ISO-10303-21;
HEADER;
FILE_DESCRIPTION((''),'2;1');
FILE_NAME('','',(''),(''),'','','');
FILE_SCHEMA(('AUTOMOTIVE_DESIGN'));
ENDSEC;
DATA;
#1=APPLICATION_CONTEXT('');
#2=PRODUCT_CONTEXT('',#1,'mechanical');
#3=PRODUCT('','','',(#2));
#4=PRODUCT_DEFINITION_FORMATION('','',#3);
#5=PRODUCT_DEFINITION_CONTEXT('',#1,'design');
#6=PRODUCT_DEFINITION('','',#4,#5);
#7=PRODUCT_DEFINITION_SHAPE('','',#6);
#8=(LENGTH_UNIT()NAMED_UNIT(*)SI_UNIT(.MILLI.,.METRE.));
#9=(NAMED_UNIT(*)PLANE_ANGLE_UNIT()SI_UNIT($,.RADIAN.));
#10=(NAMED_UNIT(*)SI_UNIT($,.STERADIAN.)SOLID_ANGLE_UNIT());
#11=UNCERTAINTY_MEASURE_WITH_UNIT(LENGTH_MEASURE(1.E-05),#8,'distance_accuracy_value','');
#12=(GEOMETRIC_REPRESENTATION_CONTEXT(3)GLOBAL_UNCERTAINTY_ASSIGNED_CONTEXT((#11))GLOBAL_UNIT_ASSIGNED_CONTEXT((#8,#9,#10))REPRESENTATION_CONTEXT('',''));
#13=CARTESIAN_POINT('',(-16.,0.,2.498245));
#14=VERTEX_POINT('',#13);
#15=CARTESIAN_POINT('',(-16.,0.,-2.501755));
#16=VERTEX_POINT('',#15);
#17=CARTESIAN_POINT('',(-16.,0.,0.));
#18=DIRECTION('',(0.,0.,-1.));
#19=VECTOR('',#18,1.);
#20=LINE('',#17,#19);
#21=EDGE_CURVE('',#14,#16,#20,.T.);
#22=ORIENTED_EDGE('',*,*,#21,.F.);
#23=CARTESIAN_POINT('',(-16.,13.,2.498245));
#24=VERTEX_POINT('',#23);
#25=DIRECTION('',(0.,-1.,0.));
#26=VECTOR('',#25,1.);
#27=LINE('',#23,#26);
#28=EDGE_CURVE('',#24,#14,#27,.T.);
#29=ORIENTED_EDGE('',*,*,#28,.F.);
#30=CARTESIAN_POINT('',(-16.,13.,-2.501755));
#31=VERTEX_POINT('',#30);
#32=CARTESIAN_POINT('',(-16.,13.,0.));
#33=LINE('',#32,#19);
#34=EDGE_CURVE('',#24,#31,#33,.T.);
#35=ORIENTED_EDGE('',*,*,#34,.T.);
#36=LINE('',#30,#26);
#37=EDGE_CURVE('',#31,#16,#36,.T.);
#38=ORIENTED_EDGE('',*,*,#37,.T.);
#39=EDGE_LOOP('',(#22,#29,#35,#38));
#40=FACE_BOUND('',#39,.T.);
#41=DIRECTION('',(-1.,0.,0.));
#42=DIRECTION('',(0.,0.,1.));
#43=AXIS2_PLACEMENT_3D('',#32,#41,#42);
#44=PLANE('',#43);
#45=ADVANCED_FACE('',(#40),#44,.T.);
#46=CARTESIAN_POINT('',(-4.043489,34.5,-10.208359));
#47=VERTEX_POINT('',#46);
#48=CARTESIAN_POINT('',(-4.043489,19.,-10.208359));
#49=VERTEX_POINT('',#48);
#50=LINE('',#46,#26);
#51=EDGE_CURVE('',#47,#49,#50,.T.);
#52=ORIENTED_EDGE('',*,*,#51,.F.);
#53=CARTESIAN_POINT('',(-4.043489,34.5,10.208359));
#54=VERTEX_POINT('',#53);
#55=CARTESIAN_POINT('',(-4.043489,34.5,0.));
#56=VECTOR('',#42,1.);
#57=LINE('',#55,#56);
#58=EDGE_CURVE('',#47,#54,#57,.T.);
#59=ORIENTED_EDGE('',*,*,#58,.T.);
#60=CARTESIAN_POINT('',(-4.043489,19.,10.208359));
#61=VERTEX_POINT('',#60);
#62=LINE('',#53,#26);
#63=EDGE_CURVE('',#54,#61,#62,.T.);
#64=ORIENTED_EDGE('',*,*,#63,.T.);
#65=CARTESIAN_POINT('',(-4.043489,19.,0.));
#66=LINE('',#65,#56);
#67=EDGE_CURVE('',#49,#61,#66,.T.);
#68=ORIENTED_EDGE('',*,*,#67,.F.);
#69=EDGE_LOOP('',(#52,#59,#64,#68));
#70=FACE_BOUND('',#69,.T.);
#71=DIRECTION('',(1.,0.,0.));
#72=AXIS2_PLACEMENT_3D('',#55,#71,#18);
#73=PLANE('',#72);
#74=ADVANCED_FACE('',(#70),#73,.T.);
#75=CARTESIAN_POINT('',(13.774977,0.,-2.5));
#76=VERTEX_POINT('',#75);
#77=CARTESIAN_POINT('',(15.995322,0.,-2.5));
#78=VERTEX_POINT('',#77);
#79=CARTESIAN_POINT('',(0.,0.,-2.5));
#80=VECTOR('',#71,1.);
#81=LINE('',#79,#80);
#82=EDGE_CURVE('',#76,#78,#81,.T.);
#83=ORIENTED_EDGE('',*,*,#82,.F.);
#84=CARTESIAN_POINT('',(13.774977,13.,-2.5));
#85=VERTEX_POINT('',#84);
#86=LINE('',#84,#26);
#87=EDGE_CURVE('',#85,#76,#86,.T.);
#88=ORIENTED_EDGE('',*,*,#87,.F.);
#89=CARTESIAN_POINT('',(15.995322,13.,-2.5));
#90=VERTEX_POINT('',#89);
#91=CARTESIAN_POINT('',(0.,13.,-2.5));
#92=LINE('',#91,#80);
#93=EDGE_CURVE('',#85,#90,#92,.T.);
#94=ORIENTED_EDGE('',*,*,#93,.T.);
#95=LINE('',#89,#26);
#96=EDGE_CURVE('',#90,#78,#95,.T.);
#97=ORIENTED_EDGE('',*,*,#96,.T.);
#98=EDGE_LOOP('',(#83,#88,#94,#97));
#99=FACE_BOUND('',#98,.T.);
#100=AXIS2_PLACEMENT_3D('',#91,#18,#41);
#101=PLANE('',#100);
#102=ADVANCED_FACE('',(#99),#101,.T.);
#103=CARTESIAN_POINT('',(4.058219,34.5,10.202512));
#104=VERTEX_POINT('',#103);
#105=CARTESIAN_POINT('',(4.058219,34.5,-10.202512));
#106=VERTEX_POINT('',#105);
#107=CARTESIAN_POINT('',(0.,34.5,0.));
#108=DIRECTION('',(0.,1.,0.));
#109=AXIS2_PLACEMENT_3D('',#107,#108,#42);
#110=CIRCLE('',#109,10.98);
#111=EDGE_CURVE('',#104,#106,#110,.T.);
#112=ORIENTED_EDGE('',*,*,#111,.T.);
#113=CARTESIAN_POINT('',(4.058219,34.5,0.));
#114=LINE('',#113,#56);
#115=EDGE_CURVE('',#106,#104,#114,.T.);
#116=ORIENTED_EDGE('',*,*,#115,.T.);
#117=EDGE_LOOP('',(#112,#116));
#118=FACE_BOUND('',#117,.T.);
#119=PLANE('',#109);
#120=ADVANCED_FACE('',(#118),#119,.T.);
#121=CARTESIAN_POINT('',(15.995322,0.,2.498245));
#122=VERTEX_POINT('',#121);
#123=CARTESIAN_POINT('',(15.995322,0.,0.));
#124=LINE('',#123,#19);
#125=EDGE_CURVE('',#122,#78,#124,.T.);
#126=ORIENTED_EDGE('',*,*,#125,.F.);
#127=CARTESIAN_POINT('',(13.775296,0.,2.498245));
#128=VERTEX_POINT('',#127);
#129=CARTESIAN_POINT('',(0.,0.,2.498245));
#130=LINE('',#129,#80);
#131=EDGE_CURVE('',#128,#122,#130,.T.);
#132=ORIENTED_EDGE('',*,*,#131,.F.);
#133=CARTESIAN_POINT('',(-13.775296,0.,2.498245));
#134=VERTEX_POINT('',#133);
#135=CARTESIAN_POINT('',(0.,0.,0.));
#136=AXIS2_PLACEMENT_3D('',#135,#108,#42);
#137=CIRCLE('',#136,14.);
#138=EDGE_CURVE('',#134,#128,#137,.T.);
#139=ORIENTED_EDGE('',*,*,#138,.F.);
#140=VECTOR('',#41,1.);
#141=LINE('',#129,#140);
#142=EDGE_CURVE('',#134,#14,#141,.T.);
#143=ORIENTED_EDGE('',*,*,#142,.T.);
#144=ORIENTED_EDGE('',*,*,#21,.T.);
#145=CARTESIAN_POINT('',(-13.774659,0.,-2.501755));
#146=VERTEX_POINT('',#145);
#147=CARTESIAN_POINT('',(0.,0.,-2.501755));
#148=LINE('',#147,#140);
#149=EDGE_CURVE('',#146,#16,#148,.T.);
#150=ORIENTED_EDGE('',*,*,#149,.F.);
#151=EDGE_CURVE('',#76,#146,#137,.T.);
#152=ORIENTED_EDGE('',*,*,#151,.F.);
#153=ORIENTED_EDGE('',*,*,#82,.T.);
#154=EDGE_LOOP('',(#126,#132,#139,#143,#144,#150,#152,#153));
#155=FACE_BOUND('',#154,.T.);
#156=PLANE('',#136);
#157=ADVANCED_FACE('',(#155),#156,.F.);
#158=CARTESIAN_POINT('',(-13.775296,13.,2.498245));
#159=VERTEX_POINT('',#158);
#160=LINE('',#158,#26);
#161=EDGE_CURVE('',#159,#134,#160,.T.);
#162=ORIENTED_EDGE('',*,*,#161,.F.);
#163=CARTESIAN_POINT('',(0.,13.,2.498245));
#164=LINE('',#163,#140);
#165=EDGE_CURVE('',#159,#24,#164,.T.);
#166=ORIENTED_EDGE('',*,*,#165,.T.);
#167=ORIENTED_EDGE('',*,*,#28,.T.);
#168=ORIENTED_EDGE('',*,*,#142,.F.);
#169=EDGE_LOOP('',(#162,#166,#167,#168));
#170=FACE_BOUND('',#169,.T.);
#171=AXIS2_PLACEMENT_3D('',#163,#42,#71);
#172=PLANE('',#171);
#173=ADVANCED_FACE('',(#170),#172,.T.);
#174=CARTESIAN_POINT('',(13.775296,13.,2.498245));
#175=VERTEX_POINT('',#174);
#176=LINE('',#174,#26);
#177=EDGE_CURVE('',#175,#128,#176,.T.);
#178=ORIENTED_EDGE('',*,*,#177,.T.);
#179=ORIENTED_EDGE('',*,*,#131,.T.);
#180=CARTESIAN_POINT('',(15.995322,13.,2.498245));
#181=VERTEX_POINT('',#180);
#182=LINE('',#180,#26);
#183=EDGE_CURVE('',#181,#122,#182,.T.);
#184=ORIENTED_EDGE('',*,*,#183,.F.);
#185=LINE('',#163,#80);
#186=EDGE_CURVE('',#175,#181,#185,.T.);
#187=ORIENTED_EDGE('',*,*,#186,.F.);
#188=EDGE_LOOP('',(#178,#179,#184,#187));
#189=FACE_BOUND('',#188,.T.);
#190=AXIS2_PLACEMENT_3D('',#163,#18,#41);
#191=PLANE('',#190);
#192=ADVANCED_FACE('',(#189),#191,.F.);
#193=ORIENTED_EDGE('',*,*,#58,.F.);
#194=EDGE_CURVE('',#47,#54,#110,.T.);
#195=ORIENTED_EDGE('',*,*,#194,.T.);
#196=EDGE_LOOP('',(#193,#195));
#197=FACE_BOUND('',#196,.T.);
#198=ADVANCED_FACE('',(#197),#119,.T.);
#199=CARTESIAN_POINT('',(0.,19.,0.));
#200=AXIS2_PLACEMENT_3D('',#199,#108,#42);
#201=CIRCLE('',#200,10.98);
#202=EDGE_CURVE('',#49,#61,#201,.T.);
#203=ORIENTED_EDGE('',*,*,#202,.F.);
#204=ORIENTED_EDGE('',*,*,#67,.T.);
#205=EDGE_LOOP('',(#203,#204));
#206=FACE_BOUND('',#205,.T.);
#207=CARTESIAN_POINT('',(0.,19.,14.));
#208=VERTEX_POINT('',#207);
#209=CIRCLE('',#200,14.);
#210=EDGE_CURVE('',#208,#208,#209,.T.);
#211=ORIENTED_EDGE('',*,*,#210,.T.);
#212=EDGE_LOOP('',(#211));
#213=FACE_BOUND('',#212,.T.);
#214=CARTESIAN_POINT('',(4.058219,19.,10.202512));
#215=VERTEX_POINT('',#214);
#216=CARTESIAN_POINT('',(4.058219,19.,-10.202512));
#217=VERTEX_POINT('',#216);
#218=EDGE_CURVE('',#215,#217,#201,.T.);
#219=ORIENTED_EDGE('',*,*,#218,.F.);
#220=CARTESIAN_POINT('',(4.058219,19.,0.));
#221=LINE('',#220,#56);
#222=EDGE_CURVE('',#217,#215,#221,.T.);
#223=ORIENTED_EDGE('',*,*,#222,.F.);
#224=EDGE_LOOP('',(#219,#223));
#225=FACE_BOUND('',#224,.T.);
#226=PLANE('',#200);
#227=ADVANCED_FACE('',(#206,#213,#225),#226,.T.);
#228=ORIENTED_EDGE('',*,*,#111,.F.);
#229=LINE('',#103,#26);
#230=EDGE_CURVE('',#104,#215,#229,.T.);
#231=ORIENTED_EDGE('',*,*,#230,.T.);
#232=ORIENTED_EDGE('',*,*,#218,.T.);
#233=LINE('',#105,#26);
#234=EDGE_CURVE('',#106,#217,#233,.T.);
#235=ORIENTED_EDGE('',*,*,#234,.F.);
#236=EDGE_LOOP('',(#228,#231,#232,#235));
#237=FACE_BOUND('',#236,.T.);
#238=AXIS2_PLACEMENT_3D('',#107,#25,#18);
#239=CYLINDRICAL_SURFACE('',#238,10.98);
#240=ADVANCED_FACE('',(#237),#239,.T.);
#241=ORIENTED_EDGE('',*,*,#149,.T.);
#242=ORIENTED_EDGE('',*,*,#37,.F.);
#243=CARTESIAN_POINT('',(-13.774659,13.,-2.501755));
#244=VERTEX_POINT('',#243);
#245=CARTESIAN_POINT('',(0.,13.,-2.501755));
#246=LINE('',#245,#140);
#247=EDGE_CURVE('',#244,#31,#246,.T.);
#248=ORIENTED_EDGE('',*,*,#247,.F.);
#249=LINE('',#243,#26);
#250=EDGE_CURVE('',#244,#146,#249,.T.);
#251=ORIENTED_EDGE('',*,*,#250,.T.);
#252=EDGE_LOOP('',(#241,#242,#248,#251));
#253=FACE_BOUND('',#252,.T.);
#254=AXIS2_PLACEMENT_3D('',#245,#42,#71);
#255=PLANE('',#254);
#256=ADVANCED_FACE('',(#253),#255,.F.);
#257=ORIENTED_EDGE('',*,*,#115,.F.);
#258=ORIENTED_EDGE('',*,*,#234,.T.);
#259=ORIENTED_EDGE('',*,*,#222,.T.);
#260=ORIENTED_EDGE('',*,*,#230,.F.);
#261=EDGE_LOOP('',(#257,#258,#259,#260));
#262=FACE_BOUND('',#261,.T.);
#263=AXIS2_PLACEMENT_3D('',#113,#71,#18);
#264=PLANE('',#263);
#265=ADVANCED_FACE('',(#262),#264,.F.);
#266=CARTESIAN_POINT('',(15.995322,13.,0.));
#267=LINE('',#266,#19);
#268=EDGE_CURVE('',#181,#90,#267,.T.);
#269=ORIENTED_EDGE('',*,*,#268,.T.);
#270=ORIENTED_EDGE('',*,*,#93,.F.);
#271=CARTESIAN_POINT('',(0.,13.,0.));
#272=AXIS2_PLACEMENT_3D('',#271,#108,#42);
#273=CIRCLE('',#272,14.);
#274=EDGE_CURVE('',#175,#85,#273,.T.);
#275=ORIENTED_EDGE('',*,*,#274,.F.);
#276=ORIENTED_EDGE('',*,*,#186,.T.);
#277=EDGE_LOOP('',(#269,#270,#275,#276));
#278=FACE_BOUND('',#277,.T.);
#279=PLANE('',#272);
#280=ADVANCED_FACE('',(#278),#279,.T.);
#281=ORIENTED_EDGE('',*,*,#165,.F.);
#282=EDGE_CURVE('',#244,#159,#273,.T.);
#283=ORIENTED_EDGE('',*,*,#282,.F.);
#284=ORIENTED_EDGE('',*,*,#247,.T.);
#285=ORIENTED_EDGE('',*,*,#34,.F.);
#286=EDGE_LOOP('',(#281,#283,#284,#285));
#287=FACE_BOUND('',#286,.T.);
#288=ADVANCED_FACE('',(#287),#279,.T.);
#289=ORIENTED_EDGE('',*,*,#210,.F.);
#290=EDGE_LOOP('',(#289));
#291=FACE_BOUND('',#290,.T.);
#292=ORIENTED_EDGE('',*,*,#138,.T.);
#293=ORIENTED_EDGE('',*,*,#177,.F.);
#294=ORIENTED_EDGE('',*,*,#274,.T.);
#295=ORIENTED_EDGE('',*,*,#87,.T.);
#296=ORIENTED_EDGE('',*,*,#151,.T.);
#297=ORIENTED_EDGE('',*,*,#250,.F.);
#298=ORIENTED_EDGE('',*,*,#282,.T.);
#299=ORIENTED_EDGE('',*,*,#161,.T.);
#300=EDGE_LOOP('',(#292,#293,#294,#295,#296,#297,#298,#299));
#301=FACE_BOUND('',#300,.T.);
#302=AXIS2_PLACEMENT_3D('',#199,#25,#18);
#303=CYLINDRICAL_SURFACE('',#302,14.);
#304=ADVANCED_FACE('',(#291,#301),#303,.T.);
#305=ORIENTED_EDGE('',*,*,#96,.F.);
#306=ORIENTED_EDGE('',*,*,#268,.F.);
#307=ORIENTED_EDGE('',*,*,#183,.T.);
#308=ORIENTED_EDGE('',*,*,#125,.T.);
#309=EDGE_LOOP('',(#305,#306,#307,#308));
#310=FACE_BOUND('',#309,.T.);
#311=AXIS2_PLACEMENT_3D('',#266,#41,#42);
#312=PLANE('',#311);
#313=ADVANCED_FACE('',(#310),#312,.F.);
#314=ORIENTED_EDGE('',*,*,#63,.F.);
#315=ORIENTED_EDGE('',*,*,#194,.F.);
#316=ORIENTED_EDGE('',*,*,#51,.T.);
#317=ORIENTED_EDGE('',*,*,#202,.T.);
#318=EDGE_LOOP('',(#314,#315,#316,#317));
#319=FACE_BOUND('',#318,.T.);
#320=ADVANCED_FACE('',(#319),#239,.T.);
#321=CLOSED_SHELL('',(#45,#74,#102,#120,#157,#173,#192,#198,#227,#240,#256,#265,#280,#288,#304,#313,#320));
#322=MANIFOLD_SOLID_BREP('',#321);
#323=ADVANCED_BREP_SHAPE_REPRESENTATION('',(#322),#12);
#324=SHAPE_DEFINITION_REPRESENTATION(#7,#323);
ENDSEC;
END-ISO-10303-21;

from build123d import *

# Parameters (mm, degrees)
BOSS_EXTRUDE1_DEPTH   = 34.5
BOSS_EXTRUDE1_2_DEPTH = 34.5
SKETCH1_4_R           = 14
BOSS_EXTRUDE2_DEPTH   = 19
BOSS_EXTRUDE3_DEPTH   = 13


with BuildPart() as part:
    # Sketch1 → Boss-Extrude1 (new body)
    with BuildSketch(Plane(origin=(0, 0, 0), x_dir=(1, 0, 0), z_dir=(0, 1, 0))):
        with BuildLine():
            ThreePointArc((4.058218824, -10.202512434), (10.98, 0), (4.058218824, 10.202512434))
            Line((4.058218824, 10.202512434), (4.058218824, -10.202512434))
        make_face()
    extrude(amount=BOSS_EXTRUDE1_DEPTH)



with BuildPart() as body_2:
    # Sketch1 → Boss-Extrude1 2 (new body)
    with BuildSketch(Plane(origin=(0, 0, 0), x_dir=(1, 0, 0), z_dir=(0, 1, 0))):
        with BuildLine():
            Line((-4.043488658, -10.208359294), (-4.043488658, 10.208359294))
            ThreePointArc((-4.043488658, 10.208359294), (-10.98, 0), (-4.043488658, -10.208359294))
        make_face()
    extrude(amount=BOSS_EXTRUDE1_2_DEPTH)


with BuildPart() as part_1:
    add(part.part)

    add(body_2.part)  # Boss-Extrude2 merges body 2
    # Sketch1<4> → Boss-Extrude2 (add)
    with BuildSketch(Plane(origin=(0, 0, 0), x_dir=(1, 0, 0), z_dir=(0, 1, 0))):
        Circle(SKETCH1_4_R)
        with BuildLine():
            Line((-4.043488658, 2.501755217), (-4.043488658, -10.208359294))
            ThreePointArc((-4.043488658, -10.208359294), (-4.044654217, -10.207897544), (-4.045819724, -10.20743566))
            ThreePointArc((-4.045819724, -10.20743566), (-10.979999928, 0.001253691), (-4.043488658, 10.208359294))
            Line((-4.043488658, 10.208359294), (-4.043488658, 2.501755217))
        make_face(mode=Mode.SUBTRACT)
        with BuildLine():
            Line((4.058218824, 2.5), (4.058218824, 10.202512434))
            ThreePointArc((4.058218824, 10.202512434), (10.98, 0), (4.058218824, -10.202512434))
            Line((4.058218824, -10.202512434), (4.058218824, 2.5))
        make_face(mode=Mode.SUBTRACT)
    extrude(amount=BOSS_EXTRUDE2_DEPTH)

    # Sketch1<5> → Boss-Extrude3 (add)
    with BuildSketch(Plane(origin=(0, 0, 0), x_dir=(1, 0, 0), z_dir=(0, 1, 0))):
        with BuildLine():
            ThreePointArc((13.774977314, 2.5), (13.999999972, 0.000891934), (13.77529575, -2.498244783))
            Line((13.77529575, -2.498244783), (15.995322261, -2.498244783))
            Line((15.995322261, -2.498244783), (15.995322261, 2.5))
            Line((15.995322261, 2.5), (13.774977314, 2.5))
        make_face()
        with BuildLine():
            Line((-16, -2.498244783), (-13.77529575, -2.498244783))
            ThreePointArc((-13.77529575, -2.498244783), (-13.999999886, 0.001783889), (-13.774658647, 2.501755217))
            Line((-13.774658647, 2.501755217), (-16, 2.501755217))
            Line((-16, 2.501755217), (-16, -2.498244783))
        make_face()
    extrude(amount=BOSS_EXTRUDE3_DEPTH)


solid = part_1.part
